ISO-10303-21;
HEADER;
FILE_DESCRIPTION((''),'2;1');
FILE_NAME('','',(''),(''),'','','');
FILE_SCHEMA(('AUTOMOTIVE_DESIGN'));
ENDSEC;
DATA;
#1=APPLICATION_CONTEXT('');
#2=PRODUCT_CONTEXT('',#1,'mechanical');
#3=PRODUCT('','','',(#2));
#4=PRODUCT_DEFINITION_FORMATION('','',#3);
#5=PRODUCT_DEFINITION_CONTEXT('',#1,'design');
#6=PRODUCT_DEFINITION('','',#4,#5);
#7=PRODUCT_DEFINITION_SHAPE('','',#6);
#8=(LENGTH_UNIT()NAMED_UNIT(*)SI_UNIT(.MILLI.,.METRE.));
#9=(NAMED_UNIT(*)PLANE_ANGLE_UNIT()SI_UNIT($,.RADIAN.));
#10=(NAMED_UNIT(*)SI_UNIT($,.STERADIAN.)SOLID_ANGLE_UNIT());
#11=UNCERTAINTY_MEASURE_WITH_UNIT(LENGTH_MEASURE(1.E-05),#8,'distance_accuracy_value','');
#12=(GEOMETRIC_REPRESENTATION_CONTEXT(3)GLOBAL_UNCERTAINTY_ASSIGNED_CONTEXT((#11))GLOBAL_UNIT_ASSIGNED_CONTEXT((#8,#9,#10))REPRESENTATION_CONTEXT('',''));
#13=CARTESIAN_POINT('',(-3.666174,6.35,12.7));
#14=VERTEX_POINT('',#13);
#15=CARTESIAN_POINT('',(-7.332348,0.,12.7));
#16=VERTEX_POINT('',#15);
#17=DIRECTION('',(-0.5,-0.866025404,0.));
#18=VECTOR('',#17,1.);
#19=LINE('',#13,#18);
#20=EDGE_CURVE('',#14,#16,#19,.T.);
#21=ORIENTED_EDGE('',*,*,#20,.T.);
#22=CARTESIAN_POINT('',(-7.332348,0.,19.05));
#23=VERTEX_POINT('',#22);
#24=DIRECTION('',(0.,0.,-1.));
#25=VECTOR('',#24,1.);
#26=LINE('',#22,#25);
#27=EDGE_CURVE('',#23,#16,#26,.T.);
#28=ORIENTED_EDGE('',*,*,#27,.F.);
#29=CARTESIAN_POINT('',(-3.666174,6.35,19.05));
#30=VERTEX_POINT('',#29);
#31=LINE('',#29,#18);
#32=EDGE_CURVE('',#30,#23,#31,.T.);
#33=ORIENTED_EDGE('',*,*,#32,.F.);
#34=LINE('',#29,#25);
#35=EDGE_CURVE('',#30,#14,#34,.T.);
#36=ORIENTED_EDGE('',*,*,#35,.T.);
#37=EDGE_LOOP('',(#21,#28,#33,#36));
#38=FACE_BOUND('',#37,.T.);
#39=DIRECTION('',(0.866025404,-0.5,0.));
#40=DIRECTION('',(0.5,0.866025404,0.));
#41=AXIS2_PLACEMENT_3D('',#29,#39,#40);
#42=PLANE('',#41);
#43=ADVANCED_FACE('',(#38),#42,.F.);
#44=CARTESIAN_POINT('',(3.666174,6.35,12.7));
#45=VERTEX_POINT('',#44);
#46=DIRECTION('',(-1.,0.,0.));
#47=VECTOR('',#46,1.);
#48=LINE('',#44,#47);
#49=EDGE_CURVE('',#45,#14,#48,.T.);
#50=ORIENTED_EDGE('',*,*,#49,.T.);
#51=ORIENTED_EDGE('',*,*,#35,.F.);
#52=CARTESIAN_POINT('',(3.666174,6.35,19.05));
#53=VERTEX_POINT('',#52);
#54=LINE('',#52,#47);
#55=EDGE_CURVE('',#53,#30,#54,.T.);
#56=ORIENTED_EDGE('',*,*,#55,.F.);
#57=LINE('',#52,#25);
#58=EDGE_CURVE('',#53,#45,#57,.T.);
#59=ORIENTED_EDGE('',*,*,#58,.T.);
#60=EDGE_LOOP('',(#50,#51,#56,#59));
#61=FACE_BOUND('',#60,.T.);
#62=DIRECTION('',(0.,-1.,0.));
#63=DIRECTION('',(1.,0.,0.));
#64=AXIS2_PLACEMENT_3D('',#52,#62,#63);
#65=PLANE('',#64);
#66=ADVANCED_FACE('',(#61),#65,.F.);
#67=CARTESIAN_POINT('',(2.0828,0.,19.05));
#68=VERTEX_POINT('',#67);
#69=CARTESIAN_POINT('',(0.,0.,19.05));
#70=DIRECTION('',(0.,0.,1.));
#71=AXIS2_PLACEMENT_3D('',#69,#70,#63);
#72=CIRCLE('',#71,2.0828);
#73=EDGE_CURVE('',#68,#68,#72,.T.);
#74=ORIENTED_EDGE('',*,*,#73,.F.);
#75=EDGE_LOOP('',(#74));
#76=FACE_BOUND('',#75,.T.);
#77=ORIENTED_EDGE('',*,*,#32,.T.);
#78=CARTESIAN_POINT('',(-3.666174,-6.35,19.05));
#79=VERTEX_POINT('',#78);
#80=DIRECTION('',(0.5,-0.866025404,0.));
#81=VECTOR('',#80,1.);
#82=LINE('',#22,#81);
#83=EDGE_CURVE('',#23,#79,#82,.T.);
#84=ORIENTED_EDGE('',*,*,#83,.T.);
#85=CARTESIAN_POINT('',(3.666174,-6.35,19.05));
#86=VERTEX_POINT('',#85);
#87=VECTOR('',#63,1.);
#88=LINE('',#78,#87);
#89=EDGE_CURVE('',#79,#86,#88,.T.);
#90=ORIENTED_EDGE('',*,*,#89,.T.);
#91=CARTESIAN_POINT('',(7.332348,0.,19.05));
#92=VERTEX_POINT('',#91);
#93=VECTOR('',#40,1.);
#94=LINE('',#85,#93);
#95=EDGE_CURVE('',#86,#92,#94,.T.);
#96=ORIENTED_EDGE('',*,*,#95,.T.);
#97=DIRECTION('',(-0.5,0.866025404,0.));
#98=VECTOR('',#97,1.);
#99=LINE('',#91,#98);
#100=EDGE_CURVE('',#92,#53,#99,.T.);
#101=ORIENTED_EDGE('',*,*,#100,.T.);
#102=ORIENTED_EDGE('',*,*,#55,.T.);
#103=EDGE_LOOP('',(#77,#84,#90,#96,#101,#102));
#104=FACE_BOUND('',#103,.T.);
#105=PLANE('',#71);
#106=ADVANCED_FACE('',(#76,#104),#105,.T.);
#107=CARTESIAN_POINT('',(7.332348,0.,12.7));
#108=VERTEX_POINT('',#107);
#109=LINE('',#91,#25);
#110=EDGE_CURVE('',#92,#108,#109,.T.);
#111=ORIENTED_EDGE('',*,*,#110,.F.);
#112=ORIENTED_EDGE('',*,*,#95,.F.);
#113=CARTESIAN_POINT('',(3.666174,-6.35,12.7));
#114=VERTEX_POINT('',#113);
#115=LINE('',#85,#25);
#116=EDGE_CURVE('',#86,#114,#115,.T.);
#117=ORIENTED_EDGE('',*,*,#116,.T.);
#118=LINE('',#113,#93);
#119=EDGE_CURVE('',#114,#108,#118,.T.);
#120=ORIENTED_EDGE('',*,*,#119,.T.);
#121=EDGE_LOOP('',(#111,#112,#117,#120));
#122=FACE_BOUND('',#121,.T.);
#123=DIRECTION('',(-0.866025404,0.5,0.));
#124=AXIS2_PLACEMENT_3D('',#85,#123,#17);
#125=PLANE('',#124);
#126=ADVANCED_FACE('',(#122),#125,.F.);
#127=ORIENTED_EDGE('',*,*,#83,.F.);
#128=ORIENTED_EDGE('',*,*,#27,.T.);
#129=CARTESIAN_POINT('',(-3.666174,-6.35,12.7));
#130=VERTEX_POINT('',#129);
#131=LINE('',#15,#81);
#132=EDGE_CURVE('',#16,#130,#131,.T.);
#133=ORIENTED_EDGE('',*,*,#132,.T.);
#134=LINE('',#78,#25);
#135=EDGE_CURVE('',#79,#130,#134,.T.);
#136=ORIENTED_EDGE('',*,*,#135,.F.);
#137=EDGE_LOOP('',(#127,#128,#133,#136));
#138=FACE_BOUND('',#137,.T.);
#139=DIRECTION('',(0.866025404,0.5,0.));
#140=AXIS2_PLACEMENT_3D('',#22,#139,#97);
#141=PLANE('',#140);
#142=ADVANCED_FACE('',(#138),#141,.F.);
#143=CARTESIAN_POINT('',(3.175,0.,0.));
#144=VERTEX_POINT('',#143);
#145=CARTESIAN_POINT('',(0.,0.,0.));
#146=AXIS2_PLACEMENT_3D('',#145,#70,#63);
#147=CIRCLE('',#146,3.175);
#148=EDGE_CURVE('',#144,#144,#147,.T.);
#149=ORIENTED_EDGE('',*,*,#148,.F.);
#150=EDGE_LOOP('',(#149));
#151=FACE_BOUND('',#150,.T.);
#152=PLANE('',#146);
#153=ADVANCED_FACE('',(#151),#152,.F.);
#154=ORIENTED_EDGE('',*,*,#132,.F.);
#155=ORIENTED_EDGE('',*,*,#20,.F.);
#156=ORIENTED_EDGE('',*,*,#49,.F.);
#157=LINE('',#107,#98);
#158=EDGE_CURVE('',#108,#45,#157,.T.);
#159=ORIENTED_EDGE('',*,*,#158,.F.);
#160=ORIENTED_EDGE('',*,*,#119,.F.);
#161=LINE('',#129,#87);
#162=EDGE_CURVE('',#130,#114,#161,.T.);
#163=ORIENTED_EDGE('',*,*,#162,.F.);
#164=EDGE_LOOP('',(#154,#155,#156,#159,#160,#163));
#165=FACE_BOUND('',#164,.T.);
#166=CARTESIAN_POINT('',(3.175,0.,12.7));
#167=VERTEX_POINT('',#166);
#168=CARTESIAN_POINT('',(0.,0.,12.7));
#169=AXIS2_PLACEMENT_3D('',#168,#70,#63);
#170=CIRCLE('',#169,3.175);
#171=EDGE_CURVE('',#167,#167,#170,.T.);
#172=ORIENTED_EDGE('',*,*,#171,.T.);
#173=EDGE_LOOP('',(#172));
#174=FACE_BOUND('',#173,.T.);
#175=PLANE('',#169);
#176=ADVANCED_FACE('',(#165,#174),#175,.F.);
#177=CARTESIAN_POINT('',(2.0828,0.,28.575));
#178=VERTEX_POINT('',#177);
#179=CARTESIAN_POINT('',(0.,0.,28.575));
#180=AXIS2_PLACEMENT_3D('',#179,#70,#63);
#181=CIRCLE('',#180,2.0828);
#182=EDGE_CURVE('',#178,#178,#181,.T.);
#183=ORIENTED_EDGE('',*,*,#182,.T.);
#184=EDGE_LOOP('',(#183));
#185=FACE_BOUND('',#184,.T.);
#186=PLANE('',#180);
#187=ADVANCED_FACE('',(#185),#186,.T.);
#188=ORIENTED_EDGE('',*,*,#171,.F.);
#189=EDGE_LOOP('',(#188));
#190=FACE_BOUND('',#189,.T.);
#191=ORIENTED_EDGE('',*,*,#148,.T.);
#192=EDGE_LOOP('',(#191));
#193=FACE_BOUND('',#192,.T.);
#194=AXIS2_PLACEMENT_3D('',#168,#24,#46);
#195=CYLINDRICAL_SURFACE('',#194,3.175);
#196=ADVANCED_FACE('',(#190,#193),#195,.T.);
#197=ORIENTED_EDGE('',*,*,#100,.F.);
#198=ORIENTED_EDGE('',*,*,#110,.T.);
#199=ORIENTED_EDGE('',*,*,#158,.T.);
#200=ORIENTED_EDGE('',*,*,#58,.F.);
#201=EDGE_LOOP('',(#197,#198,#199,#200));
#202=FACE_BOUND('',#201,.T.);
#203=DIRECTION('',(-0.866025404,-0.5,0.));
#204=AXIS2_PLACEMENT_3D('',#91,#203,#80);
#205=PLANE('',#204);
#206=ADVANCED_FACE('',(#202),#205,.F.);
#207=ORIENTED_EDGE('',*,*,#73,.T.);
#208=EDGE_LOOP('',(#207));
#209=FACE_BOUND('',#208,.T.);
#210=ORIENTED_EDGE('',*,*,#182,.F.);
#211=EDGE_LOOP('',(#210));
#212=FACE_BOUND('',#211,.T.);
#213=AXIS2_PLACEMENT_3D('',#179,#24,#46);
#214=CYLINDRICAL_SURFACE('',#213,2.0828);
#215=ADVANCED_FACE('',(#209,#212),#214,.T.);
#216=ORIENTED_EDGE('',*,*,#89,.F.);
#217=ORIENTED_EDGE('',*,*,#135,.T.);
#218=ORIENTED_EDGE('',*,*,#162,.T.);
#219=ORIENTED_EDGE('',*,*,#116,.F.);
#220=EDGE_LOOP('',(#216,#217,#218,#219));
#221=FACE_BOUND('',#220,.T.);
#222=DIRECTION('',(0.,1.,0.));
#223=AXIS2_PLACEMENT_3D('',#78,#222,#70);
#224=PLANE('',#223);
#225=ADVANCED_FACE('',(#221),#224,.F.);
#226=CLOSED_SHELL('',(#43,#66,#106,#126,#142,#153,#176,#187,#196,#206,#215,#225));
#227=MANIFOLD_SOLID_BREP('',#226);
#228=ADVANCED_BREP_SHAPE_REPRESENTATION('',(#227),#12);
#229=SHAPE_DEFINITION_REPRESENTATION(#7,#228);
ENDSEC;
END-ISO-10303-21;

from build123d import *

# Parameters (mm, degrees)
SKETCH1_R           = 3.175
BOSS_EXTRUDE1_DEPTH = 12.7
BOSS_EXTRUDE2_DEPTH = 6.35
SKETCH3_R           = 2.0828
BOSS_EXTRUDE3_DEPTH = 9.525


with BuildPart() as part:
    # Sketch1 → Boss-Extrude1 (new body)
    with BuildSketch(Plane.XY):
        Circle(SKETCH1_R)
    extrude(amount=BOSS_EXTRUDE1_DEPTH)

    # Sketch2 → Boss-Extrude2 (add)
    with BuildSketch(Plane.XY.offset(12.7)):
        Polygon((3.666174209, -6.35), (7.332348419, 0), (3.666174209, 6.35), (-3.666174209, 6.35), (-7.332348419, 0), (-3.666174209, -6.35), align=None)
    extrude(amount=BOSS_EXTRUDE2_DEPTH)

    # Sketch3 → Boss-Extrude3 (add)
    with BuildSketch(Plane.XY.offset(19.05)):
        Circle(SKETCH3_R)
    extrude(amount=BOSS_EXTRUDE3_DEPTH)


solid = part.part
